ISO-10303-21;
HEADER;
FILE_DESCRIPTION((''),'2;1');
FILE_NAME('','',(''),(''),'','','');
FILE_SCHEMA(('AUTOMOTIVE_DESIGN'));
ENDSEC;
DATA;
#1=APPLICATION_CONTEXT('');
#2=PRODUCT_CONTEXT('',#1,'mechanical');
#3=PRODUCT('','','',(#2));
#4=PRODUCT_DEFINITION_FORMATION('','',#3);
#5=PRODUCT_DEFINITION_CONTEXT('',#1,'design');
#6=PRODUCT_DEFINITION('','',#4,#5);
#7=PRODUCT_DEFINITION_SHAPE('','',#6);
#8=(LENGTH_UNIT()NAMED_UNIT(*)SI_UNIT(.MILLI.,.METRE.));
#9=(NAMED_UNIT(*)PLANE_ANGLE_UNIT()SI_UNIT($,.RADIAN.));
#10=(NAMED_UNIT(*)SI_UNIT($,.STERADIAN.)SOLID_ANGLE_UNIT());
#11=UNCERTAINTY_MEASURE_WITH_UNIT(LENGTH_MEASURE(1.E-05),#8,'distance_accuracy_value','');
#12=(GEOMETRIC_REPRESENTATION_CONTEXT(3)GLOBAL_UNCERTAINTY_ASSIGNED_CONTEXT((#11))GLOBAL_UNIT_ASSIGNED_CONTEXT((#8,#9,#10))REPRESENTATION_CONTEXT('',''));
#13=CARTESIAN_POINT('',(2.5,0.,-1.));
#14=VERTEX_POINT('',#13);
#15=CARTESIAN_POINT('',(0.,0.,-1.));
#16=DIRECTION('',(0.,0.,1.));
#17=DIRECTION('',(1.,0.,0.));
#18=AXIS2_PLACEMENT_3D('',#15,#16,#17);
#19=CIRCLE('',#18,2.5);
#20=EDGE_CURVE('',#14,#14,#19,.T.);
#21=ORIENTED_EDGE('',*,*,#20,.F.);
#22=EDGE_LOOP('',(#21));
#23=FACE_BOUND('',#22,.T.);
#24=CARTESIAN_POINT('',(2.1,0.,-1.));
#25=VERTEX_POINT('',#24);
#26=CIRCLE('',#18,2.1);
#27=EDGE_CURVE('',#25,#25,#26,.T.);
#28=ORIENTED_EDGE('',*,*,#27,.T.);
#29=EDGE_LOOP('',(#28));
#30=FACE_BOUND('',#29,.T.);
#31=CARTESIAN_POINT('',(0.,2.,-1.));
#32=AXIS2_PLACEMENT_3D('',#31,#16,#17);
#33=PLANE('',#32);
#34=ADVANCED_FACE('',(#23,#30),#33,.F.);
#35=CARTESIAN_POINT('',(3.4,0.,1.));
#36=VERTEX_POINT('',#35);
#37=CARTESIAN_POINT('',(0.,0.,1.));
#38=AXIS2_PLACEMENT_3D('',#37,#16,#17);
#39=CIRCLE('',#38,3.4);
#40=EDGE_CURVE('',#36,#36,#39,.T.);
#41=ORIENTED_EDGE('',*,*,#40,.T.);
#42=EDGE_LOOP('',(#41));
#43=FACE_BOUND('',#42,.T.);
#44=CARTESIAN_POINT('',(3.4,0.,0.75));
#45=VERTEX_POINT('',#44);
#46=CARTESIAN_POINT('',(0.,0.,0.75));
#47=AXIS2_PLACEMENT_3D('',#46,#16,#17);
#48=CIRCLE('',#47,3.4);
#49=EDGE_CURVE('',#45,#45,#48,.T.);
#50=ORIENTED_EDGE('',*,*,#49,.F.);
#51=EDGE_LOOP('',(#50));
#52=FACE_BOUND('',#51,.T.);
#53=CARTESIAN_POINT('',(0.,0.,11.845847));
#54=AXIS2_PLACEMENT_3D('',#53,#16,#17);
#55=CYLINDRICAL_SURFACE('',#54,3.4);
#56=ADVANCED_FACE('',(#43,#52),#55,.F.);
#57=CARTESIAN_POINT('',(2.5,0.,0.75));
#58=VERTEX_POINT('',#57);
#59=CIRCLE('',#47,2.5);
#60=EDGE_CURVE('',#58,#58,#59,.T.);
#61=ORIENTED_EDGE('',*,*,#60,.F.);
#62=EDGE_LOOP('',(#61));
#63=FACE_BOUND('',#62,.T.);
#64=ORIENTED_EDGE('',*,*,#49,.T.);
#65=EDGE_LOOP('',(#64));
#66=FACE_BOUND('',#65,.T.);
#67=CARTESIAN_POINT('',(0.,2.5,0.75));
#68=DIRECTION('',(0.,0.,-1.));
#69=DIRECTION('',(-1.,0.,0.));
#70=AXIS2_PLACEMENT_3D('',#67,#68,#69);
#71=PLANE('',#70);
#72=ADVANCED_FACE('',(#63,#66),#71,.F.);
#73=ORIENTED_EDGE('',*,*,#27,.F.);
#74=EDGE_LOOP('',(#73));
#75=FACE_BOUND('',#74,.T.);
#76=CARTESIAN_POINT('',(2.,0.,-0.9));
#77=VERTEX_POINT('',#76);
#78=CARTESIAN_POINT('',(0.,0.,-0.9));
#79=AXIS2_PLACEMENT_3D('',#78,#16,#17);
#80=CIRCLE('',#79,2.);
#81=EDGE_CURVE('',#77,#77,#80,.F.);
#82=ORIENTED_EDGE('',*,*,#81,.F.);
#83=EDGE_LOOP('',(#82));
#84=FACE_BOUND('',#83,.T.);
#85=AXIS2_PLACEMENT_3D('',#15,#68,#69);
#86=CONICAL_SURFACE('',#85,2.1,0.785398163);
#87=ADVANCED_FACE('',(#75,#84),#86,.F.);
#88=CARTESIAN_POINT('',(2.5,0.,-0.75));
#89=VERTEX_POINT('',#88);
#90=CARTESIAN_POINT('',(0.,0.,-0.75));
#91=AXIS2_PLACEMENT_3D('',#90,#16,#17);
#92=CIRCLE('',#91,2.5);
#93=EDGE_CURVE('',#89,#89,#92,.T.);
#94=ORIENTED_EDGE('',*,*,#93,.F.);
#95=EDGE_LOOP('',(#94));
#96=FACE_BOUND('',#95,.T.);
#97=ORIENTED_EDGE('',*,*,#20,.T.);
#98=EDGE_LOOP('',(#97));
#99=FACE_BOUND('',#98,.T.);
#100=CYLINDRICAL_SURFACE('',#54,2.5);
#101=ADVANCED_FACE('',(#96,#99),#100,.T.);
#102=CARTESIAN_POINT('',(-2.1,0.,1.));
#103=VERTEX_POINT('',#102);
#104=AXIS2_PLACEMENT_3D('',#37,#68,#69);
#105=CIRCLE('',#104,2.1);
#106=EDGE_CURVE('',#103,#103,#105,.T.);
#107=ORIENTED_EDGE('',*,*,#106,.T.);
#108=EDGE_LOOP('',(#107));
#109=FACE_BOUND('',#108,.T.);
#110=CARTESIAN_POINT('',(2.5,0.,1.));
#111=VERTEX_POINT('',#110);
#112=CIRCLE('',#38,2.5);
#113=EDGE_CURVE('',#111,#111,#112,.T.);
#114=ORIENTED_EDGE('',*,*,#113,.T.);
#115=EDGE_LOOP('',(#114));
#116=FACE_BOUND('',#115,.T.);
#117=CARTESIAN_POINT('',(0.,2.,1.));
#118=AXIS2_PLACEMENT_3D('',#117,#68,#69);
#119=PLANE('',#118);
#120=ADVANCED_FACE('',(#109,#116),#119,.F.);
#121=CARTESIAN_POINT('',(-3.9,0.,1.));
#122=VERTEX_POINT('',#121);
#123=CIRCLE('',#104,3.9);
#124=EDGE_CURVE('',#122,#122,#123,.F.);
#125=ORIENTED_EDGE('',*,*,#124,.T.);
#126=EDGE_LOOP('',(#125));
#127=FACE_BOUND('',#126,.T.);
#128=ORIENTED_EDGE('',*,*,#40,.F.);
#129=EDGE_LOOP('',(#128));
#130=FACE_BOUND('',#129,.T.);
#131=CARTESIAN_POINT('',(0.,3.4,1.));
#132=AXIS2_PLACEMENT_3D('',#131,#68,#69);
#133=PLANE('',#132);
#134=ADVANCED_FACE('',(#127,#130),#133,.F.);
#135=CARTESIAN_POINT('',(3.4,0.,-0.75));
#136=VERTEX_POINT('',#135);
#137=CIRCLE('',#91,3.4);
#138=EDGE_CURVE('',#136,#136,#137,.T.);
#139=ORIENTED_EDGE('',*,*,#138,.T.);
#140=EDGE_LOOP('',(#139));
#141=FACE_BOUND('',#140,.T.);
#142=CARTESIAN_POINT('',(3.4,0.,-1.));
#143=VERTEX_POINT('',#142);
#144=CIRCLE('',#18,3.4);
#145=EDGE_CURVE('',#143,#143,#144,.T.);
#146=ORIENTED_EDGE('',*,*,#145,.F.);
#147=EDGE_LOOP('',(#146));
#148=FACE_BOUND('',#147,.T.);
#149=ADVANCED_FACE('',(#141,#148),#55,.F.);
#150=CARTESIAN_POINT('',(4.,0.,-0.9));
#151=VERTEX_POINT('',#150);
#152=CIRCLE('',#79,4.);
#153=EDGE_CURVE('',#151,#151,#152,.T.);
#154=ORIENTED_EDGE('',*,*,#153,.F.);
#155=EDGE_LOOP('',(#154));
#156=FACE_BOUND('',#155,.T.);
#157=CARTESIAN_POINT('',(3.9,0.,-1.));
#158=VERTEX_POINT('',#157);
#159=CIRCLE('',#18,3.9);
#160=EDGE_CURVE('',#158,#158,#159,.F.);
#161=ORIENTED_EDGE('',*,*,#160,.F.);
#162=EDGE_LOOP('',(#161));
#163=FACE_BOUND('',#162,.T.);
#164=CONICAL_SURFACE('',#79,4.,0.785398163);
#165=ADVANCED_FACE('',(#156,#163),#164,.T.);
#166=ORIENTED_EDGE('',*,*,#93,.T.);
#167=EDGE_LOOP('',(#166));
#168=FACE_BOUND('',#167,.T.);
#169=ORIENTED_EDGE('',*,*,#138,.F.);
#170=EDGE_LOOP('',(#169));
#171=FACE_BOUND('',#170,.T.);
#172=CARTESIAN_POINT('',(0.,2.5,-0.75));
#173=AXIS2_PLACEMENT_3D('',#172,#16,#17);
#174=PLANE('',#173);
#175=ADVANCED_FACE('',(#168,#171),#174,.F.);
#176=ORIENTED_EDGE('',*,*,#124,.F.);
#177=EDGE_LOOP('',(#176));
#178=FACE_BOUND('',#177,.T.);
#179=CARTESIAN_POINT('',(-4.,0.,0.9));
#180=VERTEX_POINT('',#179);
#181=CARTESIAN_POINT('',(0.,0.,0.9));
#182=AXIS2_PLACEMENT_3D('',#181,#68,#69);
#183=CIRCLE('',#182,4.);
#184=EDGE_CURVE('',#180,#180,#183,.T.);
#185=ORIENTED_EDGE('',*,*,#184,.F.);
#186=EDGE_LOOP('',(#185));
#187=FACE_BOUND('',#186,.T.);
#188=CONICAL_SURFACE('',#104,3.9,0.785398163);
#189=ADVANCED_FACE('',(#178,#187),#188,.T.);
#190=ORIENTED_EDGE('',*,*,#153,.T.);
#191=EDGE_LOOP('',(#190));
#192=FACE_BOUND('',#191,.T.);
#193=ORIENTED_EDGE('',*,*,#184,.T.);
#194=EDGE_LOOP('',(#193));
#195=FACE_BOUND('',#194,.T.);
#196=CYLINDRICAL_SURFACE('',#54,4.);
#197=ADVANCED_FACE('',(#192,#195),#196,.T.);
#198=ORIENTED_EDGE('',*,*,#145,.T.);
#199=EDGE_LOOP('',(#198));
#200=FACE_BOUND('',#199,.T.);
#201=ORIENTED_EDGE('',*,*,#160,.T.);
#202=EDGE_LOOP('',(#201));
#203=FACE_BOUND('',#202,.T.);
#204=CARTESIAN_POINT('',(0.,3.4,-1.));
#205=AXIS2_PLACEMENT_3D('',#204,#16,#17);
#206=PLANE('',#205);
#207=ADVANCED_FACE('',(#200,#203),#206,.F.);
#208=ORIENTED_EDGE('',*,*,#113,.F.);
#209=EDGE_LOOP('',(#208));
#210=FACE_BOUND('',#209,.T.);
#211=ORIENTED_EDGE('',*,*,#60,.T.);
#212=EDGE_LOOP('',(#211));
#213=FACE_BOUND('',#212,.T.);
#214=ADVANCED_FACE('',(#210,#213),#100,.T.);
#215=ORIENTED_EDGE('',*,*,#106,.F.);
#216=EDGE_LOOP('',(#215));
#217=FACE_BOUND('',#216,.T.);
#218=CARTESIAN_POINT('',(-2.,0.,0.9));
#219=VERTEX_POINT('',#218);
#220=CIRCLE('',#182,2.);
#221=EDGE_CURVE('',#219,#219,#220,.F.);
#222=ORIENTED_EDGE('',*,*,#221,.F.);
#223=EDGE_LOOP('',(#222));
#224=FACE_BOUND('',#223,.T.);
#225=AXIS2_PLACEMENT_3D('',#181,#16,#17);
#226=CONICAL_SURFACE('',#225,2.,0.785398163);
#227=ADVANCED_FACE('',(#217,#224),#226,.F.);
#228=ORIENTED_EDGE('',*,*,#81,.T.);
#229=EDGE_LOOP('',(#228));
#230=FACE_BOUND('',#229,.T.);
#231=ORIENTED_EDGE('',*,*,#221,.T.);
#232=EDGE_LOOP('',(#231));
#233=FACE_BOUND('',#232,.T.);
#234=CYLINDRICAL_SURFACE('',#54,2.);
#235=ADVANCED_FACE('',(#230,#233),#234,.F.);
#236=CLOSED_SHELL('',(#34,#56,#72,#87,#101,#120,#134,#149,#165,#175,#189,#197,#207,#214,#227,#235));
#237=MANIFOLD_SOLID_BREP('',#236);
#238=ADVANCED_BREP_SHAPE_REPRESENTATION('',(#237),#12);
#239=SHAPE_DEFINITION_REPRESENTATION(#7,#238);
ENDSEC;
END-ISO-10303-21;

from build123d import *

# Parameters (mm, degrees)
FASE1_SIZE = 0.1


with BuildPart() as part:
    # Skizze2 → Rotation1 (revolve)
    with BuildSketch(Plane(origin=(0, 0, 0), x_dir=(0, 0, -1), z_dir=(1, 0, 0))):
        Polygon((-1, 2), (1, 2), (1, 2.5), (0.75, 2.5), (0.75, 3.4), (1, 3.4), (1, 4), (-1, 4), (-1, 3.4), (-0.75, 3.4), (-0.75, 2.5), (-1, 2.5), align=None)
    revolve(axis=Axis((0, 0, 11.845846522), (0, 0, -1)))

    # Fase1
    fase1_edges = [part.edges().sort_by_distance(p)[0] for p in [
        (0, -2, -1),
        (0, -2, 1),
        (0, -4, -1),
        (0, -4, 1),
    ]]
    chamfer(fase1_edges, length=FASE1_SIZE)


solid = part.part
